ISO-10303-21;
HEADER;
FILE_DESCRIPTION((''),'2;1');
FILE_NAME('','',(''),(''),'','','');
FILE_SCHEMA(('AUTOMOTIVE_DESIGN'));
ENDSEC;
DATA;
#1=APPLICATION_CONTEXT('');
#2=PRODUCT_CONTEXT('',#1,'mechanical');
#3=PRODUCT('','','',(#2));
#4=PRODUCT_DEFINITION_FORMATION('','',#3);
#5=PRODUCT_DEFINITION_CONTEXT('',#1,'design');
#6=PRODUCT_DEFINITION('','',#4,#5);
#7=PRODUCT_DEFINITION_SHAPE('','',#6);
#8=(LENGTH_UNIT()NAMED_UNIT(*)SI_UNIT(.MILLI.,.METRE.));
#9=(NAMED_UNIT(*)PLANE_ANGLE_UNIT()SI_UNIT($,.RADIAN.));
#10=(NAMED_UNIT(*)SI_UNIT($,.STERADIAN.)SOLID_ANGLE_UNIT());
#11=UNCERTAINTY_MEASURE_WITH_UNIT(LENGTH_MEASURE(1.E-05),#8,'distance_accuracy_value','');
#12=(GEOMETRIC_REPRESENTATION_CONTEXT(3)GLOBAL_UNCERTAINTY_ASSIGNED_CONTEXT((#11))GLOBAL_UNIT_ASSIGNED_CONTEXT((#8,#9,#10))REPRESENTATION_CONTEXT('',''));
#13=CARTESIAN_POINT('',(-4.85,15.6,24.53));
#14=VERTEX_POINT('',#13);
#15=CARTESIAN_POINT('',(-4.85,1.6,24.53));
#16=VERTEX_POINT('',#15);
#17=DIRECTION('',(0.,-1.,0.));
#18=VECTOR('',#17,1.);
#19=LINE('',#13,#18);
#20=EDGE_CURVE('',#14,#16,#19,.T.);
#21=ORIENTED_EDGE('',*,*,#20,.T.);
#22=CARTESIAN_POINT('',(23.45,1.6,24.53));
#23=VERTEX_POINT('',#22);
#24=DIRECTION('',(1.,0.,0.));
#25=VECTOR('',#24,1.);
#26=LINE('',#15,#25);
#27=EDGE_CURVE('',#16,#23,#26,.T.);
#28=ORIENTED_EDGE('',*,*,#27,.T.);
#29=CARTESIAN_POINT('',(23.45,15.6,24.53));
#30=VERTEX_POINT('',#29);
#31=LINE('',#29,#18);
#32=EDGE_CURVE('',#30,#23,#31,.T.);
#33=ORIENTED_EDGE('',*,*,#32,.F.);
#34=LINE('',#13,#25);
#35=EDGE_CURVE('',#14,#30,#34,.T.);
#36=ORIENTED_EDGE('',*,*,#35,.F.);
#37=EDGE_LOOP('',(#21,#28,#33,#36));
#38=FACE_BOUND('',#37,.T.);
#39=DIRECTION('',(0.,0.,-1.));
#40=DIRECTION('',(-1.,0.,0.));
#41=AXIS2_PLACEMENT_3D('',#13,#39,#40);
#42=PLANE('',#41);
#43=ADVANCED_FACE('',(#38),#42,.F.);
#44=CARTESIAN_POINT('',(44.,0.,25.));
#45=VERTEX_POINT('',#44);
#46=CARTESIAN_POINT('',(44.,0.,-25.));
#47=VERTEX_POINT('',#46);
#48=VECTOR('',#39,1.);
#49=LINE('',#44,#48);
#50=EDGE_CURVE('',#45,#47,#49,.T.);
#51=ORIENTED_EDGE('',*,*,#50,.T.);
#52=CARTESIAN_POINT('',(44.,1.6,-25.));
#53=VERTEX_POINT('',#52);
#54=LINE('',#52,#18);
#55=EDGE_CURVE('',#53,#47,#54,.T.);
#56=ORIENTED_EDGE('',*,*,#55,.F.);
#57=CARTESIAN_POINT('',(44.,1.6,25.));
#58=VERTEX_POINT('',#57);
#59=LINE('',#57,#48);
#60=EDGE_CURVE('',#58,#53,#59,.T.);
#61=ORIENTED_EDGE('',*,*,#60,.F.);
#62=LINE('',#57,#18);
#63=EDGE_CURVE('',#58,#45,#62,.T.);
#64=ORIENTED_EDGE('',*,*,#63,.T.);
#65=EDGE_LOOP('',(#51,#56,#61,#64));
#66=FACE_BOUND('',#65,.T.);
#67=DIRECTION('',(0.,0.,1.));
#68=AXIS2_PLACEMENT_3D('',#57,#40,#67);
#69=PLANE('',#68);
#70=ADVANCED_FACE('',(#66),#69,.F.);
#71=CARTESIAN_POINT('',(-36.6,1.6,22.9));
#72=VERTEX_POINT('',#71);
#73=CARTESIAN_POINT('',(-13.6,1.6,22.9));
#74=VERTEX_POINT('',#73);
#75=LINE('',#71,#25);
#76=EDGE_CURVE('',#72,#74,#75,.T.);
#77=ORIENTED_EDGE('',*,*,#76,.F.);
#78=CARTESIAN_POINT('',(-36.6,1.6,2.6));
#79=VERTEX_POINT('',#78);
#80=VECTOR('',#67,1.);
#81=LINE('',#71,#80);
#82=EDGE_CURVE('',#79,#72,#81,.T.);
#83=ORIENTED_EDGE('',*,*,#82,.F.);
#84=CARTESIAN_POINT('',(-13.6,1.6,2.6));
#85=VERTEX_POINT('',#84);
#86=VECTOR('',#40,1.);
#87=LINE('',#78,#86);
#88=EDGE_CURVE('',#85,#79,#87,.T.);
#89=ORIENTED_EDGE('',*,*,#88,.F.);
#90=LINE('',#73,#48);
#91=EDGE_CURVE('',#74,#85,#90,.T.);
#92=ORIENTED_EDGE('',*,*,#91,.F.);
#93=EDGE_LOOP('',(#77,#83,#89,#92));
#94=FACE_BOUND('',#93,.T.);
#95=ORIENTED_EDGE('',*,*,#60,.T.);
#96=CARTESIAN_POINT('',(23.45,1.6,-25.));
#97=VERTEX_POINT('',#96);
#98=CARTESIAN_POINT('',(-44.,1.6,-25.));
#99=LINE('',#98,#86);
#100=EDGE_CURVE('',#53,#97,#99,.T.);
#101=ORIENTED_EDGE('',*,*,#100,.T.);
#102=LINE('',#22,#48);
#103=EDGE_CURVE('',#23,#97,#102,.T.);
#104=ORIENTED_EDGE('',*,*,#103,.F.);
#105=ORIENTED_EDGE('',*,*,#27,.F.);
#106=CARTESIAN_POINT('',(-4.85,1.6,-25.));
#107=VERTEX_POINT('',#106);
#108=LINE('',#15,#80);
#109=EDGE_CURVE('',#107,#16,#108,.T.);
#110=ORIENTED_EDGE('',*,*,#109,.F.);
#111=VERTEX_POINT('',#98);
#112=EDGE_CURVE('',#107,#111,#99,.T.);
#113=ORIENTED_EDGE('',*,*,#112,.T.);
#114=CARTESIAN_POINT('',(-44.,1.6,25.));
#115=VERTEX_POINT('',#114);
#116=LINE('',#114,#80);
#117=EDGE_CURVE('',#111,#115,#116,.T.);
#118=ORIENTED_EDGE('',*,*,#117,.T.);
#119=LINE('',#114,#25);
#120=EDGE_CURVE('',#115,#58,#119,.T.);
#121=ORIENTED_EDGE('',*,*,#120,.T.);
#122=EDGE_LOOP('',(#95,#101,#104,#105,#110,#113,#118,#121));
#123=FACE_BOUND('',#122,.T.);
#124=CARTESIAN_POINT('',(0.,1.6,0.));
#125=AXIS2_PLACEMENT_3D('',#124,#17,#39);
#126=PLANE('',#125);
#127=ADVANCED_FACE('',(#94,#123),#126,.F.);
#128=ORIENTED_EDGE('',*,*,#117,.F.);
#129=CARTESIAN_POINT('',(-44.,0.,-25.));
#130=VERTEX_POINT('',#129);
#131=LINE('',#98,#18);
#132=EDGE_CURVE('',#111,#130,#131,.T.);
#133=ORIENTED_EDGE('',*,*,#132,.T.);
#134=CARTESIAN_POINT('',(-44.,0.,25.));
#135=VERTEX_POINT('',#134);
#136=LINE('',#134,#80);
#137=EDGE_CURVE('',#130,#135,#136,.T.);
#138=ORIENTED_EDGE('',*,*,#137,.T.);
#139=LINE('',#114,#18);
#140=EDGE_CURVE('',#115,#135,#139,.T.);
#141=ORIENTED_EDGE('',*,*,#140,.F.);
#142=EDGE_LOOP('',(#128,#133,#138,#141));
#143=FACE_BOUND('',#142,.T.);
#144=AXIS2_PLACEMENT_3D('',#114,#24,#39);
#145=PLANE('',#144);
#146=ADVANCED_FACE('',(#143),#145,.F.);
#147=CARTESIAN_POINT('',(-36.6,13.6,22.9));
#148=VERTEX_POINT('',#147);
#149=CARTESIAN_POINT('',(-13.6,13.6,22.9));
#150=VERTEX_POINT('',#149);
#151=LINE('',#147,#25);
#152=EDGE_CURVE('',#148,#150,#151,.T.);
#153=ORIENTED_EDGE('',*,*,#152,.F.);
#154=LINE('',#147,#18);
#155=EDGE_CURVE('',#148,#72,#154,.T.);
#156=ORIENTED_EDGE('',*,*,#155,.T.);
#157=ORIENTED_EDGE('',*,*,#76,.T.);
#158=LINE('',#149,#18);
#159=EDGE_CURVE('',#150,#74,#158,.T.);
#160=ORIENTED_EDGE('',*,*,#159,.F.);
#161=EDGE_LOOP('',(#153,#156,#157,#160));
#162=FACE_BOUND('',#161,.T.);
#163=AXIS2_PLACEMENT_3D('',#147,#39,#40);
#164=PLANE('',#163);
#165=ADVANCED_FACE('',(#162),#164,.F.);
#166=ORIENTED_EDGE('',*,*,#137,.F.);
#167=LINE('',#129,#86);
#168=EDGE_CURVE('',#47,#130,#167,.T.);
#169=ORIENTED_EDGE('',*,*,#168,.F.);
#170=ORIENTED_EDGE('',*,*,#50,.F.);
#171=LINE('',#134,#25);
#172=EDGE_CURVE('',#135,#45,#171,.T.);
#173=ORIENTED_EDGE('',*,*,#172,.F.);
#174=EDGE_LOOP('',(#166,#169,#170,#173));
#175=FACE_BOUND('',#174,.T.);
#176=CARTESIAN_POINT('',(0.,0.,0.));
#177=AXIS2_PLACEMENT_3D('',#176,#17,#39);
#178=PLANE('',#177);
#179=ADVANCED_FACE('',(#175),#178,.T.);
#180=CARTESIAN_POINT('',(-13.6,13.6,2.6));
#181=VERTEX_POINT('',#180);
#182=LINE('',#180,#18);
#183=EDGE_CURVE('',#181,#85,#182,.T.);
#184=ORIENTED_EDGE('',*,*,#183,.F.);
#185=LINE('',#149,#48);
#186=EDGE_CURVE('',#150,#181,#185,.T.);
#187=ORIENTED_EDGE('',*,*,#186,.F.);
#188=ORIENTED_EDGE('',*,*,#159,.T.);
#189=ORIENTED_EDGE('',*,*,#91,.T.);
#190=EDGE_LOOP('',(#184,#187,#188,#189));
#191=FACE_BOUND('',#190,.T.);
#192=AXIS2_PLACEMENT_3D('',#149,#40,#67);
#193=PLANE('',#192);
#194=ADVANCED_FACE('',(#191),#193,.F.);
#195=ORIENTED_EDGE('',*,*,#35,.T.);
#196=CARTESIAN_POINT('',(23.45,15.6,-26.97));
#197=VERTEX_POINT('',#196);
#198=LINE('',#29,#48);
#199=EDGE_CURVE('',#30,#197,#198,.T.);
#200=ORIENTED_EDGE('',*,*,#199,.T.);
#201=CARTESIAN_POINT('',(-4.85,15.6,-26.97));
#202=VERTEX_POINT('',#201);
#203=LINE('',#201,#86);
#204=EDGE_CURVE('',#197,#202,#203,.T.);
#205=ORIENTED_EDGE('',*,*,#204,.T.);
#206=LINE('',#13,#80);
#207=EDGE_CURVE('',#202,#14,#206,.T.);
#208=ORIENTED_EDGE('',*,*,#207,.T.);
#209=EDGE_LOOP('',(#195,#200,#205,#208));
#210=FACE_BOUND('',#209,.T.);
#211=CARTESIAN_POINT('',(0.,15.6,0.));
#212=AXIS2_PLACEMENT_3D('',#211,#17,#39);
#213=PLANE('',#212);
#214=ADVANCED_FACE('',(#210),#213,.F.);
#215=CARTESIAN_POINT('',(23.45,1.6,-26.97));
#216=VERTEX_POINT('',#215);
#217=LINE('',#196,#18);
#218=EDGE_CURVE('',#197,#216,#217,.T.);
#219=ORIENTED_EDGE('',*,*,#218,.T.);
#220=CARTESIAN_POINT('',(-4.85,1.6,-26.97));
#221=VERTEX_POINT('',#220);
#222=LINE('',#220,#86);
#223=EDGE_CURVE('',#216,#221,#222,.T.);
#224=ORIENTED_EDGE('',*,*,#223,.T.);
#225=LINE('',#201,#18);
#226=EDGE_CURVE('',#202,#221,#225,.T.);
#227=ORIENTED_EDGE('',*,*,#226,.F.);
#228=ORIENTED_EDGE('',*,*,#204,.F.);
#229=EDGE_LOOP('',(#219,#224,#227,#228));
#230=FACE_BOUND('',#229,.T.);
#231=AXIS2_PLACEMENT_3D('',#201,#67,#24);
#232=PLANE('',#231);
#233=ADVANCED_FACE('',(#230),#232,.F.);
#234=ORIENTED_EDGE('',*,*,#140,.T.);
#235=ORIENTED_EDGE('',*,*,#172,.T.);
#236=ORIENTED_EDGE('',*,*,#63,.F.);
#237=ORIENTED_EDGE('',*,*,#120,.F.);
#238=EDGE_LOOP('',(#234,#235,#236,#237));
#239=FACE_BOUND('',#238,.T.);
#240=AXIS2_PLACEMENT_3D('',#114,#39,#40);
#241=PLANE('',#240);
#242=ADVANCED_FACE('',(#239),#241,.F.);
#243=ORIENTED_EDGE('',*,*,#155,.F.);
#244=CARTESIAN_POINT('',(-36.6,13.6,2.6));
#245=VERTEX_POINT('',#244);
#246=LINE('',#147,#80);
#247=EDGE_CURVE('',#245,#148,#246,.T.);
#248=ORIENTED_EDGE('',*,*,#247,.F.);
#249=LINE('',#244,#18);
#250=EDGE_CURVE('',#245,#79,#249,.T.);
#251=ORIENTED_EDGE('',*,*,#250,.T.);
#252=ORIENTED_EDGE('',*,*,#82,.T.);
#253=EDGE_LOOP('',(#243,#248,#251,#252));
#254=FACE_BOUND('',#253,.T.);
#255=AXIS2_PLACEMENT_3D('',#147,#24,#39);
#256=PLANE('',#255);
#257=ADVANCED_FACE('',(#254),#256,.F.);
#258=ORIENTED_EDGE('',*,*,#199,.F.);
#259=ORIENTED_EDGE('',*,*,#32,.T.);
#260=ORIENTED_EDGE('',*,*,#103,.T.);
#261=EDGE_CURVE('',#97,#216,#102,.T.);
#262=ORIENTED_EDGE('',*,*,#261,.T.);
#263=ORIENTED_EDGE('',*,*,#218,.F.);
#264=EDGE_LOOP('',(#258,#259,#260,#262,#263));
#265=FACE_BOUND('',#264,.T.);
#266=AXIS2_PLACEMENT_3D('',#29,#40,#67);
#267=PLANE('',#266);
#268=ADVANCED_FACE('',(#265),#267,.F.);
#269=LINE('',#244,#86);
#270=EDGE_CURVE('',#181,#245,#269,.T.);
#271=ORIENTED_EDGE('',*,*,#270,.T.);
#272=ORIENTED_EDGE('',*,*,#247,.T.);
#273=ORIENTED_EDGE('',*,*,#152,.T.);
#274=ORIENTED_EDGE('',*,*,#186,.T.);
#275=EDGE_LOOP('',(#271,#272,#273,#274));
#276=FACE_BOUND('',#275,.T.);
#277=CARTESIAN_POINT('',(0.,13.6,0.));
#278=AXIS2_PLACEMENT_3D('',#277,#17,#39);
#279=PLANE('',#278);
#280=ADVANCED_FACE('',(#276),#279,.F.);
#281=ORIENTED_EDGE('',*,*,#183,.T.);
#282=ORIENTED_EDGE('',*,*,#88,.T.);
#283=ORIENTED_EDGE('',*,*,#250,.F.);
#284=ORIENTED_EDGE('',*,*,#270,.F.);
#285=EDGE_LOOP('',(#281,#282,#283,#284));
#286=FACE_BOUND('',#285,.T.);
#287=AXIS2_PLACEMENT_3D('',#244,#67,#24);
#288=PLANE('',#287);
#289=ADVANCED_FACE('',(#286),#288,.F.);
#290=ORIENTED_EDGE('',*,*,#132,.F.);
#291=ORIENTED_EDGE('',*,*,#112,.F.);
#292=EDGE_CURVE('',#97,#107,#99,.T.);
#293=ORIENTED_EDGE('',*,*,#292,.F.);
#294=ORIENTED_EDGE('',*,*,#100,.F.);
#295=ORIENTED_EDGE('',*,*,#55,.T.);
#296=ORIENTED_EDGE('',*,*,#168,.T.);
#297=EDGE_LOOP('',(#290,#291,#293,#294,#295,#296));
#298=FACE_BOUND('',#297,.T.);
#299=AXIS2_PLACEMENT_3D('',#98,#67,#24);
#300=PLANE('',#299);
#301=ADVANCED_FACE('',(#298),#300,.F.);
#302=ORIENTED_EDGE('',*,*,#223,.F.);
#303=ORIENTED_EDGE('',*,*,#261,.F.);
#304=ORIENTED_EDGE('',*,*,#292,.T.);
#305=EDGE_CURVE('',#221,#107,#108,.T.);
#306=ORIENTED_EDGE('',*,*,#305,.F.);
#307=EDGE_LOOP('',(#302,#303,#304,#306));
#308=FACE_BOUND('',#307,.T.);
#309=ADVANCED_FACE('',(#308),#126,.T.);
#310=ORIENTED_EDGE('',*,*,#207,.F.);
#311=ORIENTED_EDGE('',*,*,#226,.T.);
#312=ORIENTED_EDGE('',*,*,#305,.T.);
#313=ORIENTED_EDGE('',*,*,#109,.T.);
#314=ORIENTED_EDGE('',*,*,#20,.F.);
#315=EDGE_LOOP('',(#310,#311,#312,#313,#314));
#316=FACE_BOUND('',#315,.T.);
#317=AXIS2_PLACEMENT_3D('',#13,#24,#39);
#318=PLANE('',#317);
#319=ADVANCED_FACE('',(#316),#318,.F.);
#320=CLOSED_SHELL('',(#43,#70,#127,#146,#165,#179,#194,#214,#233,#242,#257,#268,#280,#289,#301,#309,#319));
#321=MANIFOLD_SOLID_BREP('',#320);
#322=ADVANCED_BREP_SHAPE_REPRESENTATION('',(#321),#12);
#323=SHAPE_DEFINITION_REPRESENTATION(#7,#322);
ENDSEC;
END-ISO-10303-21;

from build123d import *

# Parameters (mm, degrees)
CROQUIS_PCB_W    = 88
CROQUIS_PCB_H    = 50
PCB_DEPTH        = 1.6
CROQUIS_ESP32_W  = 28.3
CROQUIS_ESP32_H  = 51.5
ESP32_DEPTH      = 14
CROQUIS_INA219_W = 23
CROQUIS_INA219_H = 20.3
INA219_DEPTH     = 12


with BuildPart() as part:
    # Croquis_pcb → PCB (new body)
    with BuildSketch(Plane(origin=(0, 0, 0), x_dir=(1, 0, 0), z_dir=(0, 1, 0))):
        Rectangle(CROQUIS_PCB_W, CROQUIS_PCB_H)
    extrude(amount=PCB_DEPTH)

    # Croquis_esp32 → ESP32 (add)
    with BuildSketch(Plane(origin=(0, 1.6, 0), x_dir=(1, 0, 0), z_dir=(0, 1, 0))):
        with Locations((9.3, 1.22)):
            Rectangle(CROQUIS_ESP32_W, CROQUIS_ESP32_H)
    extrude(amount=ESP32_DEPTH)

    # Croquis_ina219 → INA219 (add)
    with BuildSketch(Plane(origin=(0, 1.6, 0), x_dir=(1, 0, 0), z_dir=(0, 1, 0))):
        with Locations((-25.1, -12.75)):
            Rectangle(CROQUIS_INA219_W, CROQUIS_INA219_H)
    extrude(amount=INA219_DEPTH)


solid = part.part
